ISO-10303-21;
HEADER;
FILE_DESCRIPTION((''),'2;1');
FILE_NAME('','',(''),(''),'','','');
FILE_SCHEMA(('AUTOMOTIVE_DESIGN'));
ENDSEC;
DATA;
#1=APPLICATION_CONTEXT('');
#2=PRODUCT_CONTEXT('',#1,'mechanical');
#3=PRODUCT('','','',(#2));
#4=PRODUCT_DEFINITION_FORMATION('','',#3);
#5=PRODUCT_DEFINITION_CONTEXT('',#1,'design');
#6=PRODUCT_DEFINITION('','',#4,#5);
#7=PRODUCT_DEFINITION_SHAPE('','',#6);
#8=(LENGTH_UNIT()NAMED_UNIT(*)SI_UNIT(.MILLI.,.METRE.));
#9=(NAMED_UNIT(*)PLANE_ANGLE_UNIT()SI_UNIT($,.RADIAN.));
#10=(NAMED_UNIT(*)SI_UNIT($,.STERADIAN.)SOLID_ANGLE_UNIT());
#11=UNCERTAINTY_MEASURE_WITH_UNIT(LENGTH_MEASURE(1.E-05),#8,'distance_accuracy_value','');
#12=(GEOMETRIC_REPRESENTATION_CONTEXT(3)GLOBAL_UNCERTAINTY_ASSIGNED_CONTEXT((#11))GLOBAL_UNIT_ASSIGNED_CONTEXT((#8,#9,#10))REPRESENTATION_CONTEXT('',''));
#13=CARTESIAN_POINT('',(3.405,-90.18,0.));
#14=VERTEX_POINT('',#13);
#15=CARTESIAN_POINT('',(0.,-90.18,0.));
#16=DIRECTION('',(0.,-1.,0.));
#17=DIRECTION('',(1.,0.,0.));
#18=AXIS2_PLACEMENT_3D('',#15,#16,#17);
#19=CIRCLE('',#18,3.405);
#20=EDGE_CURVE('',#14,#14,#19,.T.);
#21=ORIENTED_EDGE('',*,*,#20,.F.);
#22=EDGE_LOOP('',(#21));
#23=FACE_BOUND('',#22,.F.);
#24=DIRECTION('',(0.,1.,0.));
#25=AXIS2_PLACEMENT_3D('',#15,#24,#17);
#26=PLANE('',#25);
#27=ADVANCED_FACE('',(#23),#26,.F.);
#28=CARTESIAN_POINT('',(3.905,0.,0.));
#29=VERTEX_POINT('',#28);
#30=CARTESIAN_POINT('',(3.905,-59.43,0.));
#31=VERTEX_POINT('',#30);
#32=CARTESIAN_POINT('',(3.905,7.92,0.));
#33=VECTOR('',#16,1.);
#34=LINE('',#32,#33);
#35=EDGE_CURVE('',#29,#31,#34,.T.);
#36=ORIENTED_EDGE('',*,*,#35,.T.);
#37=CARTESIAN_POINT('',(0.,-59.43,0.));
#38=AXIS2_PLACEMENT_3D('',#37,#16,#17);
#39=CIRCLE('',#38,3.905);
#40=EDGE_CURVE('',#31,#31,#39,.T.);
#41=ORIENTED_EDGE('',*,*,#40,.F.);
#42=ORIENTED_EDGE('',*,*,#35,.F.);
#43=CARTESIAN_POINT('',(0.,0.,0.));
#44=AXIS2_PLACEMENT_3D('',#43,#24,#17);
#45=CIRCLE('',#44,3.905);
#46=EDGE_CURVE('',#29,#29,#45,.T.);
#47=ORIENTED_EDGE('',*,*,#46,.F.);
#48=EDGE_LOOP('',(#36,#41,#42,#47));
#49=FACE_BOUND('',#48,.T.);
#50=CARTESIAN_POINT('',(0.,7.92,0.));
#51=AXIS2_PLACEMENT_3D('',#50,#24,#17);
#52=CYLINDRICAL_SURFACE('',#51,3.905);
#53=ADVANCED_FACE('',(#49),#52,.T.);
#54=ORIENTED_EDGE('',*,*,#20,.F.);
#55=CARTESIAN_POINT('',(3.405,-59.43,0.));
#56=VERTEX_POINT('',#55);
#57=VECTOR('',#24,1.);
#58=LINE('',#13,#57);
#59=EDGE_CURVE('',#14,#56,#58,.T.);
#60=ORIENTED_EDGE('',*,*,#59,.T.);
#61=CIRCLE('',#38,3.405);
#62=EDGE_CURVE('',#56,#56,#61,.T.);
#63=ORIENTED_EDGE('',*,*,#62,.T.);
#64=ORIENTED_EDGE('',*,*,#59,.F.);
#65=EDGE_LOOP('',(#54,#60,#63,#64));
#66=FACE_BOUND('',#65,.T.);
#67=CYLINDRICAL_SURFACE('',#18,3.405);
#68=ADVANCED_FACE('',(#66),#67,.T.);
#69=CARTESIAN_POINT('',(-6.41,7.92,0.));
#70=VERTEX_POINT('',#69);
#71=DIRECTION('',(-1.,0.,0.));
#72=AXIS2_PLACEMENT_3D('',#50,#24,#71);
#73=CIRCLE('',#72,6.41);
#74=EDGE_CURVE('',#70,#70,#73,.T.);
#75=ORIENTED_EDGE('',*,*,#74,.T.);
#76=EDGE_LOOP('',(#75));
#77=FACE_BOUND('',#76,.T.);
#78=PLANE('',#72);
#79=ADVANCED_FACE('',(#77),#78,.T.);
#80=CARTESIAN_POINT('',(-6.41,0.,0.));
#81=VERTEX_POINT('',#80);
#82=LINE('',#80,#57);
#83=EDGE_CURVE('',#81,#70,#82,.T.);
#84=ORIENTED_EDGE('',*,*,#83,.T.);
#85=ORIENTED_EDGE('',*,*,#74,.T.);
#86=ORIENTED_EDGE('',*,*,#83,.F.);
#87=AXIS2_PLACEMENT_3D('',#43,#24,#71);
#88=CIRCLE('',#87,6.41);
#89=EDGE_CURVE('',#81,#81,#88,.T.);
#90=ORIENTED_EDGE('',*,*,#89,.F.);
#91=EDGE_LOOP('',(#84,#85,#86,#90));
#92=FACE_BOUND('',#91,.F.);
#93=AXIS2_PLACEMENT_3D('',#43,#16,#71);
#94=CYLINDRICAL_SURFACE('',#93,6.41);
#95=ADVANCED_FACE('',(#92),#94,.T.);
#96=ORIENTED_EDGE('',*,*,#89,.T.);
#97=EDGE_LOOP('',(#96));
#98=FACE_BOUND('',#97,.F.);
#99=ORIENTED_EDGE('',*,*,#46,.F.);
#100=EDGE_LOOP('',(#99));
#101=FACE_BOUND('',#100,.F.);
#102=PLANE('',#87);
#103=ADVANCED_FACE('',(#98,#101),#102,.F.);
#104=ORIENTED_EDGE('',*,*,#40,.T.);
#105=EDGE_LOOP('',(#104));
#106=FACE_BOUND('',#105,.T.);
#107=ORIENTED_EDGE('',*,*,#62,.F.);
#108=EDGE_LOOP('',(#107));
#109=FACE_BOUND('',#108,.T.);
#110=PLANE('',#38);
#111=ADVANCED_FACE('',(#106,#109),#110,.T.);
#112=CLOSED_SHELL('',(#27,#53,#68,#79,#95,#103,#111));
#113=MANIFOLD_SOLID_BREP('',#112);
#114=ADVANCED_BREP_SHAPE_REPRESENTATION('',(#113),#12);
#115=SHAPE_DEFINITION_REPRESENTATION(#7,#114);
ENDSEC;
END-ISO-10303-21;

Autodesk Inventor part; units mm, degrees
ref_plane "YZ Plane" through (0, 0, 0) normal (1, 0, 0) x (0, 1, 0)
ref_plane "XZ Plane" through (0, 0, 0) normal (0, 1, 0) x (-1, 0, 0)
ref_plane "XY Plane" through (0, 0, 0) normal (0, 0, 1) x (1, 0, 0)
sketch "Sketch1" plane through (0, 0, 0) normal (0, 1, 0) x (-1, 0, 0)
  circle A0 centre (0, 0) radius 6.41
  dimension "d0" = 12.82
extrude "Extrusion1" add sketch "Sketch1" along normal blind 7.92
sketch "Sketch2" plane through (0, 7.92, 0) normal (0, 1, 0) x (1, 0, 0)
  circle A0 centre (0, 0) radius 3.905
  dimension "d3" = 7.81
extrude "Extrusion2" add sketch "Sketch2" against normal blind 98.1
sketch "Sketch3" plane through (0, -90.18, 0) normal (0, -1, 0) x (1, 0, 0)
  circle A0 centre (0, 0) radius 3.905
  circle A1 centre (0, 0) radius 3.905 projected
  circle A2 centre (0, 0) radius 3.405
  dimension "d6" = 0.5
extrude "Extrusion3" cut sketch "Sketch3" against normal blind 30.75
properties part number "PlotterScrew"
